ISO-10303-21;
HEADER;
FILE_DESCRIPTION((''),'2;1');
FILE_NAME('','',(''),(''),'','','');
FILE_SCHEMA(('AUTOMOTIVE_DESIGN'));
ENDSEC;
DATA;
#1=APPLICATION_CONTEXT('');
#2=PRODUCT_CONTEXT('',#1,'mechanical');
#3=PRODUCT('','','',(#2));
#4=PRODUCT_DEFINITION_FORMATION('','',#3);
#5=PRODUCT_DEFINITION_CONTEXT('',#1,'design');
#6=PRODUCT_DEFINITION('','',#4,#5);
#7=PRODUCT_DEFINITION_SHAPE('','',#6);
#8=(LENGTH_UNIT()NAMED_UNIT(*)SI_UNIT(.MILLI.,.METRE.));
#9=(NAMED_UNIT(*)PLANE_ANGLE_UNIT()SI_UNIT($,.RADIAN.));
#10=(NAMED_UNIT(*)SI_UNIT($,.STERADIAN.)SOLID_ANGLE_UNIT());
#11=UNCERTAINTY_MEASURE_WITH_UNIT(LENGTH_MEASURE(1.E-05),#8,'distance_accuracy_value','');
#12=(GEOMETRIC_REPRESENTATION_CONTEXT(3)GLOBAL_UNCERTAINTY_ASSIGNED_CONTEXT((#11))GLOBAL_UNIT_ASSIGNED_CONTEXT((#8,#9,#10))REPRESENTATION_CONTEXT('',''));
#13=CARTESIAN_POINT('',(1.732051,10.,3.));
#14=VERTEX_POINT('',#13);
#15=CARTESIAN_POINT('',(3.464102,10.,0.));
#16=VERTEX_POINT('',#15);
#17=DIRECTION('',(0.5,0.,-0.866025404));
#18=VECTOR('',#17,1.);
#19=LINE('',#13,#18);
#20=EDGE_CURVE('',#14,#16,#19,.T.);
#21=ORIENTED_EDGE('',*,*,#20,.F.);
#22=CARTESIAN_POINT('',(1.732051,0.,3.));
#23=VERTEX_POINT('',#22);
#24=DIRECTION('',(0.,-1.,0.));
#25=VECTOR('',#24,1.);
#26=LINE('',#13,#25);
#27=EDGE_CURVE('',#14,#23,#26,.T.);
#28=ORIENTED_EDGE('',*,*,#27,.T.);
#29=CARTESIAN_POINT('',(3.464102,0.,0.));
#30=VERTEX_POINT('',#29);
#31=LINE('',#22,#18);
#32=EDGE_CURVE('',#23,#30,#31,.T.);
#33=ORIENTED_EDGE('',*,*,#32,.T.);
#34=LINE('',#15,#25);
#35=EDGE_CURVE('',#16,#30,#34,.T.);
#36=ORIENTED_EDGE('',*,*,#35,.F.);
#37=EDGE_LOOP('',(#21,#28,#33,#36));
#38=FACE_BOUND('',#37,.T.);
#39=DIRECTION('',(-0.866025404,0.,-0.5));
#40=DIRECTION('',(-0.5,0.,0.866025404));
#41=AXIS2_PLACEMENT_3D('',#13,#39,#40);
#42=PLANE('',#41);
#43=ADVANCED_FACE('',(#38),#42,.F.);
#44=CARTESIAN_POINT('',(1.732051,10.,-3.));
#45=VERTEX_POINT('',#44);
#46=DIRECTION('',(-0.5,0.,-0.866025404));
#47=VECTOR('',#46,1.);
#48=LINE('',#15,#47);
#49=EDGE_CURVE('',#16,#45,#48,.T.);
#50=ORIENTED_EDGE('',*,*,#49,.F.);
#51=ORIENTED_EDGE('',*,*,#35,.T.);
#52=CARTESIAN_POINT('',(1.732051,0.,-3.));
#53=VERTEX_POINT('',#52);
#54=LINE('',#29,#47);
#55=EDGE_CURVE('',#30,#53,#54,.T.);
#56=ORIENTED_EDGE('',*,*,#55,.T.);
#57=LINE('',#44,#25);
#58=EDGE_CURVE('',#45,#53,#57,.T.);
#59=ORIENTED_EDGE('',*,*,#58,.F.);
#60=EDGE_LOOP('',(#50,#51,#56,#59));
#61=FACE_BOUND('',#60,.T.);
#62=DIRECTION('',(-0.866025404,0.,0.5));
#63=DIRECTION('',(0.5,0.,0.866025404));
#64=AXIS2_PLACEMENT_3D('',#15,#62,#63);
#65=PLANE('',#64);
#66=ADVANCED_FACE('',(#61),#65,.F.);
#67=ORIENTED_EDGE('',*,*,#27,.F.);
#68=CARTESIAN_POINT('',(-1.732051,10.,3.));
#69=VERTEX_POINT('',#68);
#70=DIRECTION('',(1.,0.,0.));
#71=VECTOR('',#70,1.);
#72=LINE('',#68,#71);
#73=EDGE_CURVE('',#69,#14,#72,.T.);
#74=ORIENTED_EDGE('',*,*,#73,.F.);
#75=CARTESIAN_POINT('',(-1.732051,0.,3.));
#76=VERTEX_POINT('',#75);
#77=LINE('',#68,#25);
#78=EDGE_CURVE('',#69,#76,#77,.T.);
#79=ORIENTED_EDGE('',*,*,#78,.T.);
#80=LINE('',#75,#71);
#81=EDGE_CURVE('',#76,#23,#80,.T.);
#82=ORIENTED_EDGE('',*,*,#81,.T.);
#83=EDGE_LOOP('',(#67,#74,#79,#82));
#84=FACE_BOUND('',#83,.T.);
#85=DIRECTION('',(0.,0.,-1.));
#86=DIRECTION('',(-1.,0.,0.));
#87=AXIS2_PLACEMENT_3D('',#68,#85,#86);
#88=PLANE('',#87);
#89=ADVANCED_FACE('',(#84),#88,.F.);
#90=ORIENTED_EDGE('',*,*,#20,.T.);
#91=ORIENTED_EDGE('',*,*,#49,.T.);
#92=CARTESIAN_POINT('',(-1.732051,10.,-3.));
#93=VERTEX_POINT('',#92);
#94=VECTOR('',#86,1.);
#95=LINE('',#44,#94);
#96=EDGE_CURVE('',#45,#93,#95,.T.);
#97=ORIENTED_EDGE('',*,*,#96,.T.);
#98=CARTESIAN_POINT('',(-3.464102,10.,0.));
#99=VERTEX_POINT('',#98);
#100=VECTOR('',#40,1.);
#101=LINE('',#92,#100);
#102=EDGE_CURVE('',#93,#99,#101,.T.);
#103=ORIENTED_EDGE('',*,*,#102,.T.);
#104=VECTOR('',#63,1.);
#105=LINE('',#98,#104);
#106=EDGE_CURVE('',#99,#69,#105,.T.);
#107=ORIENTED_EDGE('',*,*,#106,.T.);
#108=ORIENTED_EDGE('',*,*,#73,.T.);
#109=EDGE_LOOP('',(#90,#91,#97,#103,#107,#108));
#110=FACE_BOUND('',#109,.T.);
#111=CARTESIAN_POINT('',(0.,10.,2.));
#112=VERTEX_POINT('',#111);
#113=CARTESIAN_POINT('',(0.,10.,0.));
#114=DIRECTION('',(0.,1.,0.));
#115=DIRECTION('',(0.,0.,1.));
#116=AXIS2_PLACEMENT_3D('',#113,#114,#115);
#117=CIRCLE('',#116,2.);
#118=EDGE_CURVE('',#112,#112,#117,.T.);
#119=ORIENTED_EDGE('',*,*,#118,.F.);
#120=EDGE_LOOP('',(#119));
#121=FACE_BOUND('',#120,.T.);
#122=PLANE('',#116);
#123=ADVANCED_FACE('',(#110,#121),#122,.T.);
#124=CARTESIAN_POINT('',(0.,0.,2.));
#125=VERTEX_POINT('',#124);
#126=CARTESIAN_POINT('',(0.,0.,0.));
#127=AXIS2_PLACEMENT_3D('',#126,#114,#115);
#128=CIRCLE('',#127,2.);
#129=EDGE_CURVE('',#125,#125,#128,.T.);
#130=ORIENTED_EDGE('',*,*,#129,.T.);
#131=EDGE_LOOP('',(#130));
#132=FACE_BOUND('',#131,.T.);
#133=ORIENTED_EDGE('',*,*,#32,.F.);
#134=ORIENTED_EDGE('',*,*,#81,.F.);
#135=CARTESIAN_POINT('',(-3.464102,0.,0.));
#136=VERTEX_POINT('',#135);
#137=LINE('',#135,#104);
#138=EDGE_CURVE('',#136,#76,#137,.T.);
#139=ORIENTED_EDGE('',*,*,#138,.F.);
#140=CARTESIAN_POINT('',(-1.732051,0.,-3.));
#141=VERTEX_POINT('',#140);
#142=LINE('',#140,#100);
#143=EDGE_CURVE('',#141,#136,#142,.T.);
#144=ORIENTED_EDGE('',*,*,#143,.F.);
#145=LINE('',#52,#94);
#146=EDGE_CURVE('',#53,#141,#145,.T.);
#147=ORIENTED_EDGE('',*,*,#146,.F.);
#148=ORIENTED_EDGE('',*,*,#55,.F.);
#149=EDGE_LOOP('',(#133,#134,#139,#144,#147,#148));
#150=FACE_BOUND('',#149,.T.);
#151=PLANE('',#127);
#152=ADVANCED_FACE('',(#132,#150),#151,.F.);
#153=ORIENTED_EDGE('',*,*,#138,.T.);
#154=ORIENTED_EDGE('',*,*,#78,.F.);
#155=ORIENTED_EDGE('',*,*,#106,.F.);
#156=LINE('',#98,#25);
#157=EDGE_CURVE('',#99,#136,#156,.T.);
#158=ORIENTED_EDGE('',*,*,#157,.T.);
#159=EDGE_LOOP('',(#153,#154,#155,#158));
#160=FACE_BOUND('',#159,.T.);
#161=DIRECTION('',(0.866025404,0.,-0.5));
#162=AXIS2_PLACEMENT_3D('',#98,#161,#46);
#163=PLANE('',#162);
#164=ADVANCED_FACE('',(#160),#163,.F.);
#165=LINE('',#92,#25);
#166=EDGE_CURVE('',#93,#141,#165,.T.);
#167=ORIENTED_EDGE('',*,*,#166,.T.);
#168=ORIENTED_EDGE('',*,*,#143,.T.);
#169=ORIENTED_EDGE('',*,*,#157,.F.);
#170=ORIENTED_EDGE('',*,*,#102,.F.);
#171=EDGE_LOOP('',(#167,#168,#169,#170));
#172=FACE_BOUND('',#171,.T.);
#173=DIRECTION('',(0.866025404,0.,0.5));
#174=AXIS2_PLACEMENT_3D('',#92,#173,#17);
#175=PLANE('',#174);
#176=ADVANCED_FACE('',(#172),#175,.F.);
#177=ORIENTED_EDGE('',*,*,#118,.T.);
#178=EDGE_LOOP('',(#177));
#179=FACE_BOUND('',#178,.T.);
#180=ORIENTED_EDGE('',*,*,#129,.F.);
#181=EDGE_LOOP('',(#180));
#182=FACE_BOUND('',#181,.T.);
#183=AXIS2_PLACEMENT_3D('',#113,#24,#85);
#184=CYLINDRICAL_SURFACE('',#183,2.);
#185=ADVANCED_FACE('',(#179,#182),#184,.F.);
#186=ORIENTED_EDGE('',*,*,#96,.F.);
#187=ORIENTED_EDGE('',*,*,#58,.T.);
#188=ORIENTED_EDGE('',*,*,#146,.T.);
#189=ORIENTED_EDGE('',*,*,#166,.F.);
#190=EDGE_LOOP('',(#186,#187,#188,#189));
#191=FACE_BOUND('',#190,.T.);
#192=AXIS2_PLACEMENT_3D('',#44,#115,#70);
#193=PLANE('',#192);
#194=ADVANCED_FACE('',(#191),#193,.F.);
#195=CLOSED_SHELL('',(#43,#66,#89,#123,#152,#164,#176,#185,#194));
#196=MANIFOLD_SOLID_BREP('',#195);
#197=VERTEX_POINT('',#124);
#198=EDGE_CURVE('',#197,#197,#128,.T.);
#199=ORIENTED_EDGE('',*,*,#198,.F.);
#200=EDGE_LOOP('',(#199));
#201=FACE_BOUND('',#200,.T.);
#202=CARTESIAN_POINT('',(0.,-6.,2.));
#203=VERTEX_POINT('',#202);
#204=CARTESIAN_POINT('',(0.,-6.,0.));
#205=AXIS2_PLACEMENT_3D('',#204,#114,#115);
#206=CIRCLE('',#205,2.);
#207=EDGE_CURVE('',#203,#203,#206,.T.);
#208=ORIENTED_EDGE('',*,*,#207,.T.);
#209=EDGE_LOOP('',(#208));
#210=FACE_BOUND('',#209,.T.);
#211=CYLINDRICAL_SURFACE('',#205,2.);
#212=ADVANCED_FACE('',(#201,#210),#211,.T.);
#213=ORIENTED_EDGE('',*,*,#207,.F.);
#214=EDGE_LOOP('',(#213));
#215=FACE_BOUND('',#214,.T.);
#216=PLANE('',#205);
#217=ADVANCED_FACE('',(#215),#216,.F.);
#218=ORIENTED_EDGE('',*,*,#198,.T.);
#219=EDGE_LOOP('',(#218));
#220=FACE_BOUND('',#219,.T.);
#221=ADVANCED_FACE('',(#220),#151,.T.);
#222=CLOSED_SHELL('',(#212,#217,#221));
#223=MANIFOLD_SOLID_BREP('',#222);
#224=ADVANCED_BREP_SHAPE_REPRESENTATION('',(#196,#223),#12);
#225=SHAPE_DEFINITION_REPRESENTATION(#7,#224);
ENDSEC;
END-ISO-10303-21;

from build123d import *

# Parameters (mm, degrees)
SKETCH_2_R      = 2
EXTRUDE_1_DEPTH = 10
SKETCH_2_2_R    = 2
EXTRUDE_2_DEPTH = 6


with BuildPart() as part:
    # 草图2 → 凸台-拉伸1 (new body)
    with BuildSketch(Plane(origin=(0, 0, 0), x_dir=(1, 0, 0), z_dir=(0, 1, 0))):
        Polygon((3.464101615, 0), (1.732050808, 3), (-1.732050808, 3), (-3.464101615, 0), (-1.732050808, -3), (1.732050808, -3), align=None)
        Circle(SKETCH_2_R, mode=Mode.SUBTRACT)
    extrude(amount=EXTRUDE_1_DEPTH)


with BuildPart() as body_2:
    # 草图2<2> → 凸台-拉伸2 (new body)
    with BuildSketch(Plane(origin=(0, 0, 0), x_dir=(1, 0, 0), z_dir=(0, 1, 0))):
        Circle(SKETCH_2_2_R)
    extrude(amount=-EXTRUDE_2_DEPTH)


solid = Compound([part.part, body_2.part])
